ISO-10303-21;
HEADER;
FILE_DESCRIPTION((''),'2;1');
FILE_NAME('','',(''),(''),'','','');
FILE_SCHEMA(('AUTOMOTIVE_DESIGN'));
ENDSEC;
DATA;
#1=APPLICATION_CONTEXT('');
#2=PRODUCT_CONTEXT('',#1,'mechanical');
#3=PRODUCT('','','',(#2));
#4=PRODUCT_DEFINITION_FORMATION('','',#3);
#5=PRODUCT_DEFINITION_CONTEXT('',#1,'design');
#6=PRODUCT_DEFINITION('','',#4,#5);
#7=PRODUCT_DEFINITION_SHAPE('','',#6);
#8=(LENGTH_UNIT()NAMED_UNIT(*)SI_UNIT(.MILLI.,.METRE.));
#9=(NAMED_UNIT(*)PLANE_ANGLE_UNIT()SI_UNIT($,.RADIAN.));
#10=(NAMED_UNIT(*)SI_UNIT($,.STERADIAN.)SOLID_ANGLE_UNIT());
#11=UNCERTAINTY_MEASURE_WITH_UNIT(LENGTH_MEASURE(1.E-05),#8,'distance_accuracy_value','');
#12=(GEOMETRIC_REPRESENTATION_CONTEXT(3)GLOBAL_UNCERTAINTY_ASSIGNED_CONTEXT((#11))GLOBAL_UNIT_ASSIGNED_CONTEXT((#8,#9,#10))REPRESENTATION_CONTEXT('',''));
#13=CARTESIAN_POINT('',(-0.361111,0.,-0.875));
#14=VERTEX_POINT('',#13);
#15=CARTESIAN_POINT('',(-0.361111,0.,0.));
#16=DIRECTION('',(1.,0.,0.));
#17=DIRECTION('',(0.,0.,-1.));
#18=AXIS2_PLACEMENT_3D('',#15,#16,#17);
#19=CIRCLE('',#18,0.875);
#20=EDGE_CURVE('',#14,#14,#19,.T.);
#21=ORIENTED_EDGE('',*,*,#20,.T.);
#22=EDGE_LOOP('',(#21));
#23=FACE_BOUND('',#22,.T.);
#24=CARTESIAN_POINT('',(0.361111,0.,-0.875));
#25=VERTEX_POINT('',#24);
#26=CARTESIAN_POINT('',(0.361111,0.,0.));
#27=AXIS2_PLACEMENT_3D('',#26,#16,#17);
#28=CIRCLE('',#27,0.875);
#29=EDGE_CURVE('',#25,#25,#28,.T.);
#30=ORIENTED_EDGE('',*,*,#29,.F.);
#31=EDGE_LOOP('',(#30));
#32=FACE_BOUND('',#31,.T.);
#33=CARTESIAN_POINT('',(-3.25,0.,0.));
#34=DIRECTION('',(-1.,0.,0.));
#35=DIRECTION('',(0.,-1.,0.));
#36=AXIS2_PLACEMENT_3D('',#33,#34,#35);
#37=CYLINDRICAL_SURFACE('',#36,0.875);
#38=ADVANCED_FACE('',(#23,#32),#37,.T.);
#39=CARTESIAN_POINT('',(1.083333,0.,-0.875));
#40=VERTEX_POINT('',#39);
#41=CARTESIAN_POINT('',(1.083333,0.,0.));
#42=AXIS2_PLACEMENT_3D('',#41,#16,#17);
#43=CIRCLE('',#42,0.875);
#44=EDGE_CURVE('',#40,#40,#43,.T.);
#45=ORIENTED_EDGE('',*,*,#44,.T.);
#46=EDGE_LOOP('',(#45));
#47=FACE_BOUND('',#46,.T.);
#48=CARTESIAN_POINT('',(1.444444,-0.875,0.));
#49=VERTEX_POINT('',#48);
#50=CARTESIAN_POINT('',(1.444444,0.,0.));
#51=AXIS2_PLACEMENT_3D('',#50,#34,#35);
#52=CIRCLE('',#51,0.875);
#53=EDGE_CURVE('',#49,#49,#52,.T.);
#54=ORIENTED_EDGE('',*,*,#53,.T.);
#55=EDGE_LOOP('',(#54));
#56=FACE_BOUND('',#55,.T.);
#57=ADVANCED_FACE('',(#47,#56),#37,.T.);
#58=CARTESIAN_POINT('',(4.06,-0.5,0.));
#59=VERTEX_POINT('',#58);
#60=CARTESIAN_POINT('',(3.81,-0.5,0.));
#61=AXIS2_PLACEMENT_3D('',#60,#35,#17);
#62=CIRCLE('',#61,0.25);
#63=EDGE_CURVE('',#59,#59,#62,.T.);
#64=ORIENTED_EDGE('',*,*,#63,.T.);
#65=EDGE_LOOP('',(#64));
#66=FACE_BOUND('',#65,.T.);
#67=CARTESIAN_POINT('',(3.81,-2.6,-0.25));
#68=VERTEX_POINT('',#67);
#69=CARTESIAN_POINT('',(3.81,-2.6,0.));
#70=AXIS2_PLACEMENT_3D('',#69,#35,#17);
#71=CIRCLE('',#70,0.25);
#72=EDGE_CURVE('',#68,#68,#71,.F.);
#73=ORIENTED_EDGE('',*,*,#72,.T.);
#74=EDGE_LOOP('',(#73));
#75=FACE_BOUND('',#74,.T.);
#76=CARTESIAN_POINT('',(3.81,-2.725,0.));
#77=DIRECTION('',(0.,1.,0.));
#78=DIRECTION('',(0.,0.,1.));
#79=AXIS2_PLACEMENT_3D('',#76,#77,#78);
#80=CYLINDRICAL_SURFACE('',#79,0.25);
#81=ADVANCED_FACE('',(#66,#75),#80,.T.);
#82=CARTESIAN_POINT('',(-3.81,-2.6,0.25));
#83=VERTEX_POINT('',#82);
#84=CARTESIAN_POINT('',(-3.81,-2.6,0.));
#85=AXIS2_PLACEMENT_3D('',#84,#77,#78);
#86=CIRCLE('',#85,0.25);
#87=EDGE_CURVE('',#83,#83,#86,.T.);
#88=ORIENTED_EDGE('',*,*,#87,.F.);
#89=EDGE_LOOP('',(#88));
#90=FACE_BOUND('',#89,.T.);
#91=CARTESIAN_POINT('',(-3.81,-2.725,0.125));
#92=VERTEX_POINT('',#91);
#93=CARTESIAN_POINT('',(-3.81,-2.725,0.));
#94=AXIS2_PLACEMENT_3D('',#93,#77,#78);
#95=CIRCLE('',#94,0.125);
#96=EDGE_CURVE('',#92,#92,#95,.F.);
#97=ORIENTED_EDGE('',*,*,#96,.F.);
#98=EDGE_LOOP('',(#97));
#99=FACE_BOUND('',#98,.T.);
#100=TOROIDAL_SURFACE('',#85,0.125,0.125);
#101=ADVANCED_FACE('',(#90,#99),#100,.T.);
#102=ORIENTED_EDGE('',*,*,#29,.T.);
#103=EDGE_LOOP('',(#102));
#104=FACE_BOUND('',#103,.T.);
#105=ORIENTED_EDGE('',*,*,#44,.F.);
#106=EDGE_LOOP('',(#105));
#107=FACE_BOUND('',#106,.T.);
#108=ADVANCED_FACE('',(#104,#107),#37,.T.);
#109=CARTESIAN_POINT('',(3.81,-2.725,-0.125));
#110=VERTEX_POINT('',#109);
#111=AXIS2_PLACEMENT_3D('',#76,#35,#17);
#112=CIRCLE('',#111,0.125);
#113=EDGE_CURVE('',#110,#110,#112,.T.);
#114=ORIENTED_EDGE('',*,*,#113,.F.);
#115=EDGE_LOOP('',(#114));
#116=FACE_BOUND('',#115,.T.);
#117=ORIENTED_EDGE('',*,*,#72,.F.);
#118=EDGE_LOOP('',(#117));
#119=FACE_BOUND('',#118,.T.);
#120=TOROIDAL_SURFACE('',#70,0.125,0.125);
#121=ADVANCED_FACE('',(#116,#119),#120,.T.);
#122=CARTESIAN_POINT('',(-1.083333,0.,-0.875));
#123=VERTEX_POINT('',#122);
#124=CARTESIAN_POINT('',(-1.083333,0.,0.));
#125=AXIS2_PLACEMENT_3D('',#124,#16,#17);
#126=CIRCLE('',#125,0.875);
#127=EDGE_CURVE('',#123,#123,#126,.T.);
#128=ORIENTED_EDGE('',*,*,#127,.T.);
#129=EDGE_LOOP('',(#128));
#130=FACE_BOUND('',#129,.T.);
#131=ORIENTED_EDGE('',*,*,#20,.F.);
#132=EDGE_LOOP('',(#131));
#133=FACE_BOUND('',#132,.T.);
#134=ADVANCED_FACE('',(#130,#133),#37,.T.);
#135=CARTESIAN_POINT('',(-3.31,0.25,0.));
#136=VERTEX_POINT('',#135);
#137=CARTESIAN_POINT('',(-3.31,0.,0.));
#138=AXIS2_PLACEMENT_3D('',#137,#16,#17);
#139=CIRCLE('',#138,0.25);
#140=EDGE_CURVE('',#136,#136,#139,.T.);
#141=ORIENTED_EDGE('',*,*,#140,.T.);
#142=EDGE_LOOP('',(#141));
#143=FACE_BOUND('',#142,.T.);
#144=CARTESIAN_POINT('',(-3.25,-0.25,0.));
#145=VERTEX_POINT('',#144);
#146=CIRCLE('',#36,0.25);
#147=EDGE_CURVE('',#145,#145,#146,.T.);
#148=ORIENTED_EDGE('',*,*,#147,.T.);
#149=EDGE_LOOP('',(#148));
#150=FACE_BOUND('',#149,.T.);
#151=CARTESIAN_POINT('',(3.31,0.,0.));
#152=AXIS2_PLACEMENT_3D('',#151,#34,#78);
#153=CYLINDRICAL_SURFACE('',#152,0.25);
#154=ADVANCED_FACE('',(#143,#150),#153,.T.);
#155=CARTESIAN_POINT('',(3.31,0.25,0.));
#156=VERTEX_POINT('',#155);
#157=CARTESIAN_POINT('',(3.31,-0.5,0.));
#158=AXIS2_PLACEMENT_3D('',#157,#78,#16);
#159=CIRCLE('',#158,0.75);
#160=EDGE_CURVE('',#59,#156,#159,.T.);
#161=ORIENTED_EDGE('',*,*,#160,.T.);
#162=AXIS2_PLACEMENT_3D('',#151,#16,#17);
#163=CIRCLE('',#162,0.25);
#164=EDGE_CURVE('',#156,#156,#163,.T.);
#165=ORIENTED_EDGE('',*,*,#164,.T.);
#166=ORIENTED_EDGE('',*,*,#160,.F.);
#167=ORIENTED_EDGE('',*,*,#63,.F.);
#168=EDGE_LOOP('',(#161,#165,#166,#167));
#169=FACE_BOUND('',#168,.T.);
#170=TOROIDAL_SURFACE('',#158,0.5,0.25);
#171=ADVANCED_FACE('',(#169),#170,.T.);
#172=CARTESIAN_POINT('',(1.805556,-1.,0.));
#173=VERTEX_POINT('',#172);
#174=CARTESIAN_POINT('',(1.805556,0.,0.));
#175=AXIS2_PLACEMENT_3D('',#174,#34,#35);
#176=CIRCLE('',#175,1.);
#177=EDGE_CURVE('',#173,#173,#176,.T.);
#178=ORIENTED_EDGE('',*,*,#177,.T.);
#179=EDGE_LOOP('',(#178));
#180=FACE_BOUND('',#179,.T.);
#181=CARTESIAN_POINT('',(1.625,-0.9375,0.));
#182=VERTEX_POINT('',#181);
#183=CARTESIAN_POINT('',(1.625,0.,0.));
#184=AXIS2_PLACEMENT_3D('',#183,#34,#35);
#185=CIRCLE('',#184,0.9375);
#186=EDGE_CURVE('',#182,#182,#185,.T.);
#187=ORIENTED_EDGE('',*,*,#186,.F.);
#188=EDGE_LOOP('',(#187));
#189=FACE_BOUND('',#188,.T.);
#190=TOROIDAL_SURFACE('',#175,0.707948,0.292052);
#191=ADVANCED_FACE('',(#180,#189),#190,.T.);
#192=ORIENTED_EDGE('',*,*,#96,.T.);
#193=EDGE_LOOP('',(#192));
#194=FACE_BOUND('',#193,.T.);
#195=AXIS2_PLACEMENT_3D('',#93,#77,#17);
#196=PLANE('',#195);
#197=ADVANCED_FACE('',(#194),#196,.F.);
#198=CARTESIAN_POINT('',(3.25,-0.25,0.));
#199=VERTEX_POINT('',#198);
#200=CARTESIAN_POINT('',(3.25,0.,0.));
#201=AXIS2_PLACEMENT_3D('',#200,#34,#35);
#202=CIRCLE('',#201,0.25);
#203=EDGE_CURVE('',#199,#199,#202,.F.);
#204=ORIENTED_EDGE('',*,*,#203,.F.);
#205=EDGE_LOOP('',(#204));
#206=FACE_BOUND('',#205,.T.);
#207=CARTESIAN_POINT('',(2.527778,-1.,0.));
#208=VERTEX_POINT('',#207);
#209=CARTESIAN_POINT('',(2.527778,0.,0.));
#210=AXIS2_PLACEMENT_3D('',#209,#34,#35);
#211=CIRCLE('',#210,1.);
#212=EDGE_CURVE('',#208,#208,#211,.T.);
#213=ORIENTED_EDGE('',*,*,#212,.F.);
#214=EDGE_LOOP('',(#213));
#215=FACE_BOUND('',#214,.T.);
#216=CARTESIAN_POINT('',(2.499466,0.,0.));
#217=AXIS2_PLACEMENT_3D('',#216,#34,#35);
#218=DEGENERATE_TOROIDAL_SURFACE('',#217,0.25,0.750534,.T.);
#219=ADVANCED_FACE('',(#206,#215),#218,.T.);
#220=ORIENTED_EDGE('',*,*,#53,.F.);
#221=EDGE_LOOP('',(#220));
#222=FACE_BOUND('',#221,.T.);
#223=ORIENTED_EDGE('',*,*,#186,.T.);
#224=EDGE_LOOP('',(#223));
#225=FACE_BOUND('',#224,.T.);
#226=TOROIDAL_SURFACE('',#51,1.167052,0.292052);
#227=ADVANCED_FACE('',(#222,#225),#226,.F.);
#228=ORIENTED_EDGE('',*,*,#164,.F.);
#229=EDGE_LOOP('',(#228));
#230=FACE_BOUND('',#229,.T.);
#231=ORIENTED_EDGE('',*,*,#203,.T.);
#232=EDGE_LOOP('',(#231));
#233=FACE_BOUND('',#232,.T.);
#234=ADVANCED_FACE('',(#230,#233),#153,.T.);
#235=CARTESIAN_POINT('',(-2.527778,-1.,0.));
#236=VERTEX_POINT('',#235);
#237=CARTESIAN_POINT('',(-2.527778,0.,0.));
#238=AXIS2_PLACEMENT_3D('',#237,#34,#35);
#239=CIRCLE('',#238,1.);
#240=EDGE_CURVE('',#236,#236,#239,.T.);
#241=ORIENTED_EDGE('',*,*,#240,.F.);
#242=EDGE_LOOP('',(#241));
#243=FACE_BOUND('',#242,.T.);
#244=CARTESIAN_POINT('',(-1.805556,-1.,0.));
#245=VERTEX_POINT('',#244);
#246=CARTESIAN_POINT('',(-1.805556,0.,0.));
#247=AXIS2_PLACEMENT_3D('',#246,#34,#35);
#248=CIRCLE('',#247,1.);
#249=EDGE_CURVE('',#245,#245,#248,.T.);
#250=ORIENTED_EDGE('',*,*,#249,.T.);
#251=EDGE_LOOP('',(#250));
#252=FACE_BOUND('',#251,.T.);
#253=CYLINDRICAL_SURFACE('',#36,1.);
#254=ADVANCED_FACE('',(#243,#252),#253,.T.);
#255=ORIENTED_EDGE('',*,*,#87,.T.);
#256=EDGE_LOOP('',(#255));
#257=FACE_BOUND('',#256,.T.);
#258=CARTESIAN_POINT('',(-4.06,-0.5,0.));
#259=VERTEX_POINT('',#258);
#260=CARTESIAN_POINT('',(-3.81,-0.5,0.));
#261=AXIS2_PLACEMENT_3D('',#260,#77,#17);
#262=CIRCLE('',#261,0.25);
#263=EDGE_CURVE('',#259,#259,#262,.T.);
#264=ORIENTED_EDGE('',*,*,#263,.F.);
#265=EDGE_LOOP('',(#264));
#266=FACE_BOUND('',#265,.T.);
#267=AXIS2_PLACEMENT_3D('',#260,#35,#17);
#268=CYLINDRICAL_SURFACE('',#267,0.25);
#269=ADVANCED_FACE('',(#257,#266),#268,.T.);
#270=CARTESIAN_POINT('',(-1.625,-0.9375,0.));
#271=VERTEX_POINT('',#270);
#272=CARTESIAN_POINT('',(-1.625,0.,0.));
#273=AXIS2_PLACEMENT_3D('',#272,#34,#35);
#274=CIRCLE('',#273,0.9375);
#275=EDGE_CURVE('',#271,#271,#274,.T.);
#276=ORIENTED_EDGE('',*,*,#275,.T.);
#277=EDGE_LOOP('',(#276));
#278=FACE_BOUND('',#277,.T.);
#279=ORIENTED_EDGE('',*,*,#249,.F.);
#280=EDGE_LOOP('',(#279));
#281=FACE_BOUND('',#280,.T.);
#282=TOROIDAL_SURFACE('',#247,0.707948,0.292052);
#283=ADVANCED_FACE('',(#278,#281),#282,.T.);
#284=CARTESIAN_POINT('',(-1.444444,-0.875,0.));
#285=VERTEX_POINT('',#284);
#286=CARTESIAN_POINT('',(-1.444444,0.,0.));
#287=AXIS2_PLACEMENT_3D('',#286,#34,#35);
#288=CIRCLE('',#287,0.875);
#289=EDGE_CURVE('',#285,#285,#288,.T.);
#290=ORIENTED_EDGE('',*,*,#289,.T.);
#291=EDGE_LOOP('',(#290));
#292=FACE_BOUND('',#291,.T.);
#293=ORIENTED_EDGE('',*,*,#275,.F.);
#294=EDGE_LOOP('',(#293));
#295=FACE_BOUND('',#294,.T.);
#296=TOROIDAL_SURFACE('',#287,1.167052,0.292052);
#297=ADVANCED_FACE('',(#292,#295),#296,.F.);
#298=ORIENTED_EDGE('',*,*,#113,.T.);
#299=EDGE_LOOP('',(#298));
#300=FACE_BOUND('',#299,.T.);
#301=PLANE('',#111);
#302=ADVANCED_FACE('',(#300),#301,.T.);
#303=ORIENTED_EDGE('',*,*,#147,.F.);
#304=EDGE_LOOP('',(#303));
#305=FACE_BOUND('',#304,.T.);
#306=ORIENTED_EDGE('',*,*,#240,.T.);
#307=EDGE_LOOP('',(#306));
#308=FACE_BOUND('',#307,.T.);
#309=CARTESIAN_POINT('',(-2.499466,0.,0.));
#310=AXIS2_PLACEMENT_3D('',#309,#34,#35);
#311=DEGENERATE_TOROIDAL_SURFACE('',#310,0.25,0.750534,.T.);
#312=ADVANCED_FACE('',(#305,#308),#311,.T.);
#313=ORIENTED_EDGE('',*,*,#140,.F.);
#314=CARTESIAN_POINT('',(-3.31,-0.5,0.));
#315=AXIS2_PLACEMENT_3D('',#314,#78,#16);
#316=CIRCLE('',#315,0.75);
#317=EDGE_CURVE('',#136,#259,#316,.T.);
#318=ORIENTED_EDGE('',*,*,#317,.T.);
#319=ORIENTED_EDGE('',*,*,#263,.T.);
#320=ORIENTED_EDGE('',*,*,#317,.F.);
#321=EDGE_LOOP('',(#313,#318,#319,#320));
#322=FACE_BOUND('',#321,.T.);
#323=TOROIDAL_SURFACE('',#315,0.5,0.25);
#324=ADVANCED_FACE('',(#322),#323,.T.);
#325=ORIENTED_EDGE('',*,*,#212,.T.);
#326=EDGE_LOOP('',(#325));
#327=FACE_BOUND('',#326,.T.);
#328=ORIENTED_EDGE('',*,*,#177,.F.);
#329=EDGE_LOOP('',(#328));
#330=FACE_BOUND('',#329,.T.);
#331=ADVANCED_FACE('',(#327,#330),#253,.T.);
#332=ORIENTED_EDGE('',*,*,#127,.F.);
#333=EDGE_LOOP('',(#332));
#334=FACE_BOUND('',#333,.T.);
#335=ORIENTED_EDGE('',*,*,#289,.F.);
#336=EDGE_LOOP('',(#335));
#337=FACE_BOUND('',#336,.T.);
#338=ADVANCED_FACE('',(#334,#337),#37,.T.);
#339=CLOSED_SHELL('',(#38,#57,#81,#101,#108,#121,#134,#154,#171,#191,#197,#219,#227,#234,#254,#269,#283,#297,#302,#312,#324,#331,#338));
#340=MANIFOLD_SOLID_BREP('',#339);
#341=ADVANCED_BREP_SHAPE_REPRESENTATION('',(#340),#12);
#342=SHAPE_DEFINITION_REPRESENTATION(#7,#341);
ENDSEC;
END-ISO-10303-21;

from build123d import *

# Parameters (mm, degrees)
CROQUIS2_R  = 0.25
REDONDEO1_R = 0.125


with BuildPart() as part:
    # Croquis1 → Revolución1 (revolve)
    with BuildSketch(Plane.XY, mode=Mode.PRIVATE) as revoluci_n1_sk:
        with BuildLine():
            Line((-1.444444444, 0.875), (1.444444444, 0.875))
            ThreePointArc((1.444444444, 0.875), (1.539977892, 0.891066953), (1.625, 0.9375))
            ThreePointArc((1.625, 0.9375), (1.710022108, 0.983933047), (1.805555556, 1))
            Line((1.805555556, 1), (2.527777778, 1))
            ThreePointArc((2.527777778, 1), (3.040090759, 0.7706018), (3.25, 0.25))
            Line((3.25, 0.25), (3.25, 0))
            Line((3.25, 0), (-3.25, 0))
            Line((-3.25, 0), (-3.25, 0.25))
            ThreePointArc((-3.25, 0.25), (-3.040090759, 0.7706018), (-2.527777778, 1))
            Line((-2.527777778, 1), (-1.805555556, 1))
            ThreePointArc((-1.805555556, 1), (-1.710022108, 0.983933047), (-1.625, 0.9375))
            ThreePointArc((-1.625, 0.9375), (-1.539977892, 0.891066953), (-1.444444444, 0.875))
        make_face()
    revolve(revoluci_n1_sk.sketch.rotate(Axis((-3.25, 0, 0), (1, 0, 0)), 180), axis=Axis((-3.25, 0, 0), (1, 0, 0)))

    # Barrer1: sweep along a path in Croquis3
    with BuildLine(Plane.XY) as barrer1_path:
        Line((-3.81, -2.725), (-3.81, -0.5))
        ThreePointArc((-3.81, -0.5), (-3.663553391, -0.146446609), (-3.31, 0))
        Line((-3.31, 0), (3.31, 0))
        ThreePointArc((3.31, 0), (3.663553391, -0.146446609), (3.81, -0.5))
        Line((3.81, -0.5), (3.81, -2.725))
    # Croquis2 → Barrer1 (sweep)
    with BuildSketch(Plane(origin=(0, 0, 0), x_dir=(0, 0, -1), z_dir=(1, 0, 0))):
        Circle(CROQUIS2_R)
    sweep(path=barrer1_path.line)

    # Redondeo1
    redondeo1_edges = [part.edges().sort_by_distance(p)[0] for p in [
        (3.81, -2.725, 0.25),
        (-3.81, -2.725, 0.25),
    ]]
    fillet(redondeo1_edges, radius=REDONDEO1_R)


solid = part.part
